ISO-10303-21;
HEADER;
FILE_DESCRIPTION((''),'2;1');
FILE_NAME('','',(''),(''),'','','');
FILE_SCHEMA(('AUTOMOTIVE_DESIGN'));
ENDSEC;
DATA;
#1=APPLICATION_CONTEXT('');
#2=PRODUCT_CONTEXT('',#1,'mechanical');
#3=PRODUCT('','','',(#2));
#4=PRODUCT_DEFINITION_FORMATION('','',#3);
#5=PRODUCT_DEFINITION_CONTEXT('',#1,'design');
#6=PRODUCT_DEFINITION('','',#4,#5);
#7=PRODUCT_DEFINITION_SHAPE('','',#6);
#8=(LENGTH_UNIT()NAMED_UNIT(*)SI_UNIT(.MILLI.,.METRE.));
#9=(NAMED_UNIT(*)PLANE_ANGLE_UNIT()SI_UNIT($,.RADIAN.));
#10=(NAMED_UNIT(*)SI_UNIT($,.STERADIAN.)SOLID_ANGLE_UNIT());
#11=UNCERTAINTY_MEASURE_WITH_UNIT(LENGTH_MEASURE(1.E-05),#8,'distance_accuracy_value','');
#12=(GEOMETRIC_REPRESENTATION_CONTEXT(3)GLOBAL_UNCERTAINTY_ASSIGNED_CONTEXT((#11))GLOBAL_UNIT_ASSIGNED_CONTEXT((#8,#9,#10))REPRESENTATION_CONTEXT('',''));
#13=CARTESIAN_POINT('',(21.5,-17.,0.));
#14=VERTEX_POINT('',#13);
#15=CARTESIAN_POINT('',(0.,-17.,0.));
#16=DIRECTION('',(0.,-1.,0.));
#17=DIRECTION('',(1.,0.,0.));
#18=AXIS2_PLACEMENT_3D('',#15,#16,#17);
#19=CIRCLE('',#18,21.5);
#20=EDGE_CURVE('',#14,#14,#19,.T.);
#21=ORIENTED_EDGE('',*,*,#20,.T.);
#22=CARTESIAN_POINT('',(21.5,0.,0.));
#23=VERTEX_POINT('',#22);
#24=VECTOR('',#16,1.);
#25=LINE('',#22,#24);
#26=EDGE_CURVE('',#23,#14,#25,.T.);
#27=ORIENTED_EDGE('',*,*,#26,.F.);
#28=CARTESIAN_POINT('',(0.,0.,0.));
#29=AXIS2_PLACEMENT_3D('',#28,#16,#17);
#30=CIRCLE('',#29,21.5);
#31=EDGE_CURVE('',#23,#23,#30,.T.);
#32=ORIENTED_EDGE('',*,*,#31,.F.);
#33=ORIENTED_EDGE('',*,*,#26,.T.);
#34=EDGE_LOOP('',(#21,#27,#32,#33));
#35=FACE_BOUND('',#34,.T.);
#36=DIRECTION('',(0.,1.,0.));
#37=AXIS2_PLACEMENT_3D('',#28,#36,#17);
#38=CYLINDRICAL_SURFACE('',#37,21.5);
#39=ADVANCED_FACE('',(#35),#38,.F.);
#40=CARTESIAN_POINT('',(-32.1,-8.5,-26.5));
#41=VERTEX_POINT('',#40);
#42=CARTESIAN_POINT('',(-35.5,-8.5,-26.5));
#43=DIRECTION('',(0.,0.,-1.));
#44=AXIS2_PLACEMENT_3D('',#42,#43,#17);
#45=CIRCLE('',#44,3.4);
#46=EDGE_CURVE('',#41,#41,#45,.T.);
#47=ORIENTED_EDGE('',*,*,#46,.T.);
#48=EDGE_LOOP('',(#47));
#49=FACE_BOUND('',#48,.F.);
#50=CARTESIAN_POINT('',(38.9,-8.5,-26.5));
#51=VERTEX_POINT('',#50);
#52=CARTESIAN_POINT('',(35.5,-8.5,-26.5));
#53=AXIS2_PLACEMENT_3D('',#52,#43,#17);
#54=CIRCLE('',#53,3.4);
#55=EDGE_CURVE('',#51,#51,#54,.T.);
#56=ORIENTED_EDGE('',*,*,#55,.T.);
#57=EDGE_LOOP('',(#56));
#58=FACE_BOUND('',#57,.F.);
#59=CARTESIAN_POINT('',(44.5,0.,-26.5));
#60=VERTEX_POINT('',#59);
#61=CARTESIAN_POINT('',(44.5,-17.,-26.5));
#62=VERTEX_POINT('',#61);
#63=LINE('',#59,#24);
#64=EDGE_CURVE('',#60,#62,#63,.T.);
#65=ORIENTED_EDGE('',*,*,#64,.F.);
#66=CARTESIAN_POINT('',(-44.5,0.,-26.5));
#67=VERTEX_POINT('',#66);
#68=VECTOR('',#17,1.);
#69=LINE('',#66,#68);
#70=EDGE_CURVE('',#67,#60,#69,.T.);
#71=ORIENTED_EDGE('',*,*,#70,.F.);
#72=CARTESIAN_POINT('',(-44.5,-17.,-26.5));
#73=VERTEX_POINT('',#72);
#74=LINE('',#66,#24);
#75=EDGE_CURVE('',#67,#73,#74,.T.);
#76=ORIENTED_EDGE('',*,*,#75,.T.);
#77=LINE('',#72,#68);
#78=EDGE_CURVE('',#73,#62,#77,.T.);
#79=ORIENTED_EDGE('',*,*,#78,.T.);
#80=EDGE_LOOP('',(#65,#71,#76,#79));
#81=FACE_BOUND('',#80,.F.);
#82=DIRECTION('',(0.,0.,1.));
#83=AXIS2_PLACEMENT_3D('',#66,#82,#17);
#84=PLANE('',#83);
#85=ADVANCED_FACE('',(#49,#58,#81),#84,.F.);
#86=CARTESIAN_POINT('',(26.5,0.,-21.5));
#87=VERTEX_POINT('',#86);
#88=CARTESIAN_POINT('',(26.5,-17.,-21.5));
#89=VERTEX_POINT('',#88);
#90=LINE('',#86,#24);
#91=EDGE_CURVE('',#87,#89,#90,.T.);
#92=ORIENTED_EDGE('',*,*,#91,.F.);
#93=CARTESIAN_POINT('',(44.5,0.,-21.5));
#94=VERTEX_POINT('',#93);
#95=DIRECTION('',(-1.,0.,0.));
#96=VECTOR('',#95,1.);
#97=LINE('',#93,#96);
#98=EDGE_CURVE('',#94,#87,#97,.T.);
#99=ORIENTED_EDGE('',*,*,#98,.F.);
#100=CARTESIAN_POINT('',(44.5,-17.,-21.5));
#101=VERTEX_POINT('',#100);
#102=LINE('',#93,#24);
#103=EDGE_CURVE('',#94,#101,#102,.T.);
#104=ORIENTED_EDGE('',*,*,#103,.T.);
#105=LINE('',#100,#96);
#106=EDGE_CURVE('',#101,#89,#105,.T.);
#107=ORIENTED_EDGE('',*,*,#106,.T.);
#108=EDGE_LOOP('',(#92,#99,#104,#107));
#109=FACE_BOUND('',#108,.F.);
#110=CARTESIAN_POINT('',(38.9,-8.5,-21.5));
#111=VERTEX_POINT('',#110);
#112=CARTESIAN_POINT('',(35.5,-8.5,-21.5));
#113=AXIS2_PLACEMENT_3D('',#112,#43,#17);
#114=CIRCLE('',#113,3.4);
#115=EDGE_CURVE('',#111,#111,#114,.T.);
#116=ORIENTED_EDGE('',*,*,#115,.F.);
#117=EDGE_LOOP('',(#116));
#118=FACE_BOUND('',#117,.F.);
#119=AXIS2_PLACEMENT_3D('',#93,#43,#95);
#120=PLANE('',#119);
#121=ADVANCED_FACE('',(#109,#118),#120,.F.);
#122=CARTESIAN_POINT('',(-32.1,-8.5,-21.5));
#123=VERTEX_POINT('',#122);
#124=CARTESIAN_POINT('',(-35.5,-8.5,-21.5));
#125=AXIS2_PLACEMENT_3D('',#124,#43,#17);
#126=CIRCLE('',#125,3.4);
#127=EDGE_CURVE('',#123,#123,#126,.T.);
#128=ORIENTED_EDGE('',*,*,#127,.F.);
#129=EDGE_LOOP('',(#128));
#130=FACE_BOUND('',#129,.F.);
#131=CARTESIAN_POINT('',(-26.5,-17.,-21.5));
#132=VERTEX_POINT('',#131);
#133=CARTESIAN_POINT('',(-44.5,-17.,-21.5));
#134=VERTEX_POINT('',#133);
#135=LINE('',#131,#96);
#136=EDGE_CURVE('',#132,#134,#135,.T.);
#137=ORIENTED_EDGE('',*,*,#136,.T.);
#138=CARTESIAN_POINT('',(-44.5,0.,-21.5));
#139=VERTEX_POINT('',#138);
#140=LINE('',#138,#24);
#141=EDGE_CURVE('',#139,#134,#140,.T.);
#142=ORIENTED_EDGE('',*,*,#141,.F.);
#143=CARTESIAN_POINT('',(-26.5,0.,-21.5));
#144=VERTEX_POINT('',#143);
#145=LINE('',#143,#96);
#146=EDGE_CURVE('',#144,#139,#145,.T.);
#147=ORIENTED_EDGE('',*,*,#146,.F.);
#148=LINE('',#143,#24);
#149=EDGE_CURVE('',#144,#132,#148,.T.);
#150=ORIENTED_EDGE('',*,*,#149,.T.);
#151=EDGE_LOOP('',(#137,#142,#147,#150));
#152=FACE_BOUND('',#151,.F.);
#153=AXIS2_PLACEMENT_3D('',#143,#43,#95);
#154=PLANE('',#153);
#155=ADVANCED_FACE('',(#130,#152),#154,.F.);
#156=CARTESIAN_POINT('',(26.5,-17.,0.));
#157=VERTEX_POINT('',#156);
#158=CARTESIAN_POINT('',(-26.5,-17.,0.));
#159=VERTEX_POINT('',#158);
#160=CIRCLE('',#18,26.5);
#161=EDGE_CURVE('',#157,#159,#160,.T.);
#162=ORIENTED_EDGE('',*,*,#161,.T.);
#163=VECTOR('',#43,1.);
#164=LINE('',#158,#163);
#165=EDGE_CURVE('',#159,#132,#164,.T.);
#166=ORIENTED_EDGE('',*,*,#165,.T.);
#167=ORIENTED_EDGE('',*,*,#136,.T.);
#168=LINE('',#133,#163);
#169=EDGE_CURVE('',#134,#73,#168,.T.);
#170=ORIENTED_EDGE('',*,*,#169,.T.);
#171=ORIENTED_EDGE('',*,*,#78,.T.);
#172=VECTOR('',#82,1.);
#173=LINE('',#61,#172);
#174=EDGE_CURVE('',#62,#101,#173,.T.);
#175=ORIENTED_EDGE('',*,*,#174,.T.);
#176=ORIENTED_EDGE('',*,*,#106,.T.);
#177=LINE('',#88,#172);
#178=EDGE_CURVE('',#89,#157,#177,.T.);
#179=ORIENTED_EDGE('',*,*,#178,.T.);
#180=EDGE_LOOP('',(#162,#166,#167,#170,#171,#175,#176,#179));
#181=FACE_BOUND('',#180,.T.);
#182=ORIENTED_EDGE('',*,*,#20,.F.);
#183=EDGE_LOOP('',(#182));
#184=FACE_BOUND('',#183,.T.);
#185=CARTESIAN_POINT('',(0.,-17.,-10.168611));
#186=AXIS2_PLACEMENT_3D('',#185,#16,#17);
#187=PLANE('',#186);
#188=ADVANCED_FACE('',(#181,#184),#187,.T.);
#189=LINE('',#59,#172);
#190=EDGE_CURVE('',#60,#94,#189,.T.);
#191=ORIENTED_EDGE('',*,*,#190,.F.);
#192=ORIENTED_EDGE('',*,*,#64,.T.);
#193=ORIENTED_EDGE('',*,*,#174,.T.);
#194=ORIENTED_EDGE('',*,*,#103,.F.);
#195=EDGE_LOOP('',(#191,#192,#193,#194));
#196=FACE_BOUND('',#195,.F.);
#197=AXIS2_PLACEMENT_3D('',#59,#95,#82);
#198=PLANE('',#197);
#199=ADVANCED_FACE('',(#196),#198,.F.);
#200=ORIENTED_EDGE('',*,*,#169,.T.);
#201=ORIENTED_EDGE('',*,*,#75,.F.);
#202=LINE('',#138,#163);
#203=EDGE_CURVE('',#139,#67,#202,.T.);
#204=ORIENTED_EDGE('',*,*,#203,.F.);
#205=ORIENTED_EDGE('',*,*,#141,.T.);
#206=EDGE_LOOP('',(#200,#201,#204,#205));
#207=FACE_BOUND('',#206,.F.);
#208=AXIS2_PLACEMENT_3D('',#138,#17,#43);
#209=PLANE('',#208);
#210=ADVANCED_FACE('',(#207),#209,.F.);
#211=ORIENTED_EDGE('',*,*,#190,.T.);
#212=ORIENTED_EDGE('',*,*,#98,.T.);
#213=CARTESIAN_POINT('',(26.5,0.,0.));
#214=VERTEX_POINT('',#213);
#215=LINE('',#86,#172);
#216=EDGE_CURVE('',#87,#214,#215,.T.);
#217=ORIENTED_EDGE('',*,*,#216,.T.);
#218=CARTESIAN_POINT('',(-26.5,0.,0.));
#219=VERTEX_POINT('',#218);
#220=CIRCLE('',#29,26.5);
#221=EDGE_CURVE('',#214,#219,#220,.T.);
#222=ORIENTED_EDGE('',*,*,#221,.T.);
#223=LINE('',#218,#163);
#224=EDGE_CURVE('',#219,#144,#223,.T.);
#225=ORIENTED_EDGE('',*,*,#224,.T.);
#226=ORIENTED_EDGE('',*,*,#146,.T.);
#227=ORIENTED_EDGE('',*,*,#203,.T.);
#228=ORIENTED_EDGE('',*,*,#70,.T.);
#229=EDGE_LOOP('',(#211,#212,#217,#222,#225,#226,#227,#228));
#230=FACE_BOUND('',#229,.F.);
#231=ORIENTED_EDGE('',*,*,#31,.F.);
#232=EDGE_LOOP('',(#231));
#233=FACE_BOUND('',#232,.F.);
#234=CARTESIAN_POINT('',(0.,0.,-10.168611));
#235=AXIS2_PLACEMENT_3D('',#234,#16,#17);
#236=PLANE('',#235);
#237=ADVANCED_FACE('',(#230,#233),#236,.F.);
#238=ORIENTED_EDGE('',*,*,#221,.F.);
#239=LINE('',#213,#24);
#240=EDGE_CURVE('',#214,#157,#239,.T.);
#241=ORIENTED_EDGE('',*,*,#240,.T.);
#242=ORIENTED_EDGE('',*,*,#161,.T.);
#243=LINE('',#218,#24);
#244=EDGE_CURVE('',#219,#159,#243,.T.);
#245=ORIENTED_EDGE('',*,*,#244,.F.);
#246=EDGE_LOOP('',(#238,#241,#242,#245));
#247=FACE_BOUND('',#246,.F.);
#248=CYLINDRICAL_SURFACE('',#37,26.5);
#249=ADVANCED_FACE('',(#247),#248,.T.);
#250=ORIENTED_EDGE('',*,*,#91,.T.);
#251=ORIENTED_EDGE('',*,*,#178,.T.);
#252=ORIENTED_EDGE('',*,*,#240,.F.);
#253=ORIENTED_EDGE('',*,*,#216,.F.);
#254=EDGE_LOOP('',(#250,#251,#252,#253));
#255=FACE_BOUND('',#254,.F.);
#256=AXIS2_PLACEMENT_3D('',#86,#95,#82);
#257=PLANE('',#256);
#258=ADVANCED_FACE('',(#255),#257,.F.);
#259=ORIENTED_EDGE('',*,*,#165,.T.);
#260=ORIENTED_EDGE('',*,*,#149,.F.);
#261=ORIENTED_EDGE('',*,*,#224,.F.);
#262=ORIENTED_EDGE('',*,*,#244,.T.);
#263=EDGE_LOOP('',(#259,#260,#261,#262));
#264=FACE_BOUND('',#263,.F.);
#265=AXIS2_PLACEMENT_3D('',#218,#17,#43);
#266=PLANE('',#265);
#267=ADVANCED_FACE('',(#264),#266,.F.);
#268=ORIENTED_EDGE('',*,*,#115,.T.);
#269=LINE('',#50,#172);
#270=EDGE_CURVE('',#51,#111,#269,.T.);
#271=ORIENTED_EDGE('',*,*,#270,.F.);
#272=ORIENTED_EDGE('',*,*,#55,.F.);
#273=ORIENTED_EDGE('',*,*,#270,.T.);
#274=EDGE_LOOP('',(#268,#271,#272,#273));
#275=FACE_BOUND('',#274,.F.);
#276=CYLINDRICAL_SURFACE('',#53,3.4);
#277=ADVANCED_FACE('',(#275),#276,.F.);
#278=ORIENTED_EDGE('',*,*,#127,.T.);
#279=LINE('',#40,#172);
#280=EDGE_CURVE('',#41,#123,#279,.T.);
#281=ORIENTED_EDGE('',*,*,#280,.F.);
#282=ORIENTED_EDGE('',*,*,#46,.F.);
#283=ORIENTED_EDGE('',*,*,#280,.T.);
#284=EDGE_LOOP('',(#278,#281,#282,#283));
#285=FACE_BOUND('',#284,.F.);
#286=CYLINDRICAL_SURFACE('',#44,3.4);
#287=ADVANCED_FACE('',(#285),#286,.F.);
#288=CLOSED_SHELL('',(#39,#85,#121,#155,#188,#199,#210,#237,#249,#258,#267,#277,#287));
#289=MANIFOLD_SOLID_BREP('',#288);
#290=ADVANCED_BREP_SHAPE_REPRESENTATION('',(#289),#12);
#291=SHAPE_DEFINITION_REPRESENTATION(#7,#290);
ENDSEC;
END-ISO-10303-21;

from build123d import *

# Parameters (mm, degrees)
F0_R     = 21.5
F1_DEPTH = 17
F2_R     = 3.4
F3_DEPTH = 53.001


with BuildPart() as f1:
    # F0 (on Front) → F1 (new body)
    with BuildSketch(Plane.XZ):
        with BuildLine():
            Line((-44.5, -21.5), (-44.5, -26.5))
            Line((-44.5, -26.5), (44.5, -26.5))
            Line((44.5, -26.5), (44.5, -21.5))
            Line((44.5, -21.5), (26.5, -21.5))
            Line((26.5, -21.5), (26.5, 0))
            ThreePointArc((26.5, 0), (0, 26.5), (-26.5, 0))
            Line((-26.5, 0), (-26.5, -21.5))
            Line((-26.5, -21.5), (-44.5, -21.5))
        make_face()
        Circle(F0_R, mode=Mode.SUBTRACT)
    extrude(amount=F1_DEPTH)

    # F2 (on face) → F3 (cut, through all)
    with BuildSketch(Plane(origin=(0, 0, -26.5), x_dir=(1, 0, 0), z_dir=(0, 0, -1))):
        with Locations((-35.5, 8.5)):
            Circle(F2_R)
        with Locations((35.5, 8.5)):
            Circle(F2_R)
    extrude(amount=-F3_DEPTH, mode=Mode.SUBTRACT)


solid = f1.part
